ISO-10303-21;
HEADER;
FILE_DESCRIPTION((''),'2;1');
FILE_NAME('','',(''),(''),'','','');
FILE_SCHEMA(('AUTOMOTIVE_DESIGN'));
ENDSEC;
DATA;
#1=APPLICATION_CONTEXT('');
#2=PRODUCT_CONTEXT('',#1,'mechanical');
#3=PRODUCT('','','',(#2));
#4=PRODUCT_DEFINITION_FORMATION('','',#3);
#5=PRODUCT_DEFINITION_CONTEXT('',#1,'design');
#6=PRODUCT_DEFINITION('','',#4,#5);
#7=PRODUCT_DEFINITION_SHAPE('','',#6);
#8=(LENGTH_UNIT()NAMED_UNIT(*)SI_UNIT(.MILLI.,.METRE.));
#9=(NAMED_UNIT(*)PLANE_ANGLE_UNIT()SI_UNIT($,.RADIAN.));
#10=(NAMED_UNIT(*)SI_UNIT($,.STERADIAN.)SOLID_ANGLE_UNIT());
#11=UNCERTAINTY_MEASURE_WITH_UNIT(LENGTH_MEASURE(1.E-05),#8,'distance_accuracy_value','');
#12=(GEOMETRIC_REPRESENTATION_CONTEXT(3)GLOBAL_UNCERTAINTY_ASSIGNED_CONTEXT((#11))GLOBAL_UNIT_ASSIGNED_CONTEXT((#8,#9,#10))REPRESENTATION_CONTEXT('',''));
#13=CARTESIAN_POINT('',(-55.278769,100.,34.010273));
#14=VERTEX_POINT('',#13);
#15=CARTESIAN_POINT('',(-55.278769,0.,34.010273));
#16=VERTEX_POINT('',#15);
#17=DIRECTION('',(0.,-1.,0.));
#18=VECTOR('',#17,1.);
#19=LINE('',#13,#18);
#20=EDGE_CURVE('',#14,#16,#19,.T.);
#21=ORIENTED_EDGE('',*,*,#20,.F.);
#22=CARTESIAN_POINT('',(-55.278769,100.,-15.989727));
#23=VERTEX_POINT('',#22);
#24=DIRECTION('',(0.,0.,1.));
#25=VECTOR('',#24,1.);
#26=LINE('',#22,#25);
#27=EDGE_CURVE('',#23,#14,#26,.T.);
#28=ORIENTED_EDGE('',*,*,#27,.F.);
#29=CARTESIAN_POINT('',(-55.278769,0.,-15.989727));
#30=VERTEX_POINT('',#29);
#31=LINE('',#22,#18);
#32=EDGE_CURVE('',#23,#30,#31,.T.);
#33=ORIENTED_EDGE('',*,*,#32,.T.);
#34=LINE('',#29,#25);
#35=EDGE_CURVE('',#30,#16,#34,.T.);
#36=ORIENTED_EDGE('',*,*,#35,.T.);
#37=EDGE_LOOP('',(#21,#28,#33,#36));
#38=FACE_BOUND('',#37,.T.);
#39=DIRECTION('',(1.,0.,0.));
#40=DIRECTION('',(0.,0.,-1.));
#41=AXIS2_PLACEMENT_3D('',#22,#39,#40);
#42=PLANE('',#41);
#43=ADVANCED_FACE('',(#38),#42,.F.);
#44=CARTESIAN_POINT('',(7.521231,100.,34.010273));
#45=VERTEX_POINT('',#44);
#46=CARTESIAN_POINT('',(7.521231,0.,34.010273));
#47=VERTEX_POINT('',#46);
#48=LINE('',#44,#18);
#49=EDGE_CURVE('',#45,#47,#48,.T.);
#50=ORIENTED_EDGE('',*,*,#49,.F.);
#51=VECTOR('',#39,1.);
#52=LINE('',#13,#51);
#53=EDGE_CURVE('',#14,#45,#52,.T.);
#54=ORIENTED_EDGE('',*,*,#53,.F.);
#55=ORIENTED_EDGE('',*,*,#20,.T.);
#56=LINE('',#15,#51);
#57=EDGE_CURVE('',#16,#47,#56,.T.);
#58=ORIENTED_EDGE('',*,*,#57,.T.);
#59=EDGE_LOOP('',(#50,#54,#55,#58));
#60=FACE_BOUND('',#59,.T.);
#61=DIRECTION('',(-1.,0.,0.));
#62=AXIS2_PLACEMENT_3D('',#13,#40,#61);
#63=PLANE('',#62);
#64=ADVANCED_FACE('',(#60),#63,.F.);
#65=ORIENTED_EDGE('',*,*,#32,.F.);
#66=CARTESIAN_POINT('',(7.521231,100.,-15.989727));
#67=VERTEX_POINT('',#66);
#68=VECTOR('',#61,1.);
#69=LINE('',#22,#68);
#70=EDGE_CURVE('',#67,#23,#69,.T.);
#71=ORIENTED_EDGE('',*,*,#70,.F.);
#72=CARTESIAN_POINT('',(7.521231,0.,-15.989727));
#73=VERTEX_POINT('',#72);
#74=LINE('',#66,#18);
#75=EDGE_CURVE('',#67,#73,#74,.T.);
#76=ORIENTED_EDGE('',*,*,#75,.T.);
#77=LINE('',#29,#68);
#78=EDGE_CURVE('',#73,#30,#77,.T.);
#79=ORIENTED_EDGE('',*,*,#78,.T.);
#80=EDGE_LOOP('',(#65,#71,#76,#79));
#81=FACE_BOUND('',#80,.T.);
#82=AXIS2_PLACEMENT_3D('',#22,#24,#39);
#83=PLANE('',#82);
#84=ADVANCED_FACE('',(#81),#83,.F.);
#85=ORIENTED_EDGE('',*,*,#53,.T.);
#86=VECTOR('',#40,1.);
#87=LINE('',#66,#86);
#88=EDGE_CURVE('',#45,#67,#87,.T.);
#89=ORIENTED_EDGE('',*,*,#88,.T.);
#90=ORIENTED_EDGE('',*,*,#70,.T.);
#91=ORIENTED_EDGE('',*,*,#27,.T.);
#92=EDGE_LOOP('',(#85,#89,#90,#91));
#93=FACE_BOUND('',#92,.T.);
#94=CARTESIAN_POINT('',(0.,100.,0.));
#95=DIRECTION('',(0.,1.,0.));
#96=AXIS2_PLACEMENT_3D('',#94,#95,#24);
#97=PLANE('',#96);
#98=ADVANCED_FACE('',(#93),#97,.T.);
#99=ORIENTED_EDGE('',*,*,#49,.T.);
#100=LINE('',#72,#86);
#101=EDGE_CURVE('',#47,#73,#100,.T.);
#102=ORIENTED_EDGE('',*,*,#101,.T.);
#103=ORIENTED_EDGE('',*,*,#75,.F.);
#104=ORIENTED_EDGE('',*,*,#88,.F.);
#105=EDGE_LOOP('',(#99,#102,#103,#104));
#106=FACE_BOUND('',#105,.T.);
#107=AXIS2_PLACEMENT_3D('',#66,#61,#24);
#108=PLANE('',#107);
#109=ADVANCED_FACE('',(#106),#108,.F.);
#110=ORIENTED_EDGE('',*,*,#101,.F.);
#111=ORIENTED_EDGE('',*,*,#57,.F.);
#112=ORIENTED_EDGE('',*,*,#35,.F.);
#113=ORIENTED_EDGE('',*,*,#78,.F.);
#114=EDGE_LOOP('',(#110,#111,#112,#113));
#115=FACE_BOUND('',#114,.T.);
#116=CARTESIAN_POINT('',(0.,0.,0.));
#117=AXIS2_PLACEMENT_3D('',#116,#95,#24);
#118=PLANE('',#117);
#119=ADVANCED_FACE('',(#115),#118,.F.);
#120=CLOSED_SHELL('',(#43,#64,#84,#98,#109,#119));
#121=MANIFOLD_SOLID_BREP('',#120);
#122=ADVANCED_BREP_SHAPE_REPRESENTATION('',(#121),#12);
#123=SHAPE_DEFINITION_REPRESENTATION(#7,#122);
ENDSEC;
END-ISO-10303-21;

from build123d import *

# Parameters (mm, degrees)
SKETCH_3_W      = 62.8
SKETCH_3_H      = 50
EXTRUDE_1_DEPTH = 100


with BuildPart() as part:
    # 草图3 → 凸台-拉伸1 (new body)
    with BuildSketch(Plane(origin=(0, 0, 0), x_dir=(1, 0, 0), z_dir=(0, 1, 0))):
        with Locations((-23.878768884, -9.010273463)):
            Rectangle(SKETCH_3_W, SKETCH_3_H)
    extrude(amount=EXTRUDE_1_DEPTH)


solid = part.part
